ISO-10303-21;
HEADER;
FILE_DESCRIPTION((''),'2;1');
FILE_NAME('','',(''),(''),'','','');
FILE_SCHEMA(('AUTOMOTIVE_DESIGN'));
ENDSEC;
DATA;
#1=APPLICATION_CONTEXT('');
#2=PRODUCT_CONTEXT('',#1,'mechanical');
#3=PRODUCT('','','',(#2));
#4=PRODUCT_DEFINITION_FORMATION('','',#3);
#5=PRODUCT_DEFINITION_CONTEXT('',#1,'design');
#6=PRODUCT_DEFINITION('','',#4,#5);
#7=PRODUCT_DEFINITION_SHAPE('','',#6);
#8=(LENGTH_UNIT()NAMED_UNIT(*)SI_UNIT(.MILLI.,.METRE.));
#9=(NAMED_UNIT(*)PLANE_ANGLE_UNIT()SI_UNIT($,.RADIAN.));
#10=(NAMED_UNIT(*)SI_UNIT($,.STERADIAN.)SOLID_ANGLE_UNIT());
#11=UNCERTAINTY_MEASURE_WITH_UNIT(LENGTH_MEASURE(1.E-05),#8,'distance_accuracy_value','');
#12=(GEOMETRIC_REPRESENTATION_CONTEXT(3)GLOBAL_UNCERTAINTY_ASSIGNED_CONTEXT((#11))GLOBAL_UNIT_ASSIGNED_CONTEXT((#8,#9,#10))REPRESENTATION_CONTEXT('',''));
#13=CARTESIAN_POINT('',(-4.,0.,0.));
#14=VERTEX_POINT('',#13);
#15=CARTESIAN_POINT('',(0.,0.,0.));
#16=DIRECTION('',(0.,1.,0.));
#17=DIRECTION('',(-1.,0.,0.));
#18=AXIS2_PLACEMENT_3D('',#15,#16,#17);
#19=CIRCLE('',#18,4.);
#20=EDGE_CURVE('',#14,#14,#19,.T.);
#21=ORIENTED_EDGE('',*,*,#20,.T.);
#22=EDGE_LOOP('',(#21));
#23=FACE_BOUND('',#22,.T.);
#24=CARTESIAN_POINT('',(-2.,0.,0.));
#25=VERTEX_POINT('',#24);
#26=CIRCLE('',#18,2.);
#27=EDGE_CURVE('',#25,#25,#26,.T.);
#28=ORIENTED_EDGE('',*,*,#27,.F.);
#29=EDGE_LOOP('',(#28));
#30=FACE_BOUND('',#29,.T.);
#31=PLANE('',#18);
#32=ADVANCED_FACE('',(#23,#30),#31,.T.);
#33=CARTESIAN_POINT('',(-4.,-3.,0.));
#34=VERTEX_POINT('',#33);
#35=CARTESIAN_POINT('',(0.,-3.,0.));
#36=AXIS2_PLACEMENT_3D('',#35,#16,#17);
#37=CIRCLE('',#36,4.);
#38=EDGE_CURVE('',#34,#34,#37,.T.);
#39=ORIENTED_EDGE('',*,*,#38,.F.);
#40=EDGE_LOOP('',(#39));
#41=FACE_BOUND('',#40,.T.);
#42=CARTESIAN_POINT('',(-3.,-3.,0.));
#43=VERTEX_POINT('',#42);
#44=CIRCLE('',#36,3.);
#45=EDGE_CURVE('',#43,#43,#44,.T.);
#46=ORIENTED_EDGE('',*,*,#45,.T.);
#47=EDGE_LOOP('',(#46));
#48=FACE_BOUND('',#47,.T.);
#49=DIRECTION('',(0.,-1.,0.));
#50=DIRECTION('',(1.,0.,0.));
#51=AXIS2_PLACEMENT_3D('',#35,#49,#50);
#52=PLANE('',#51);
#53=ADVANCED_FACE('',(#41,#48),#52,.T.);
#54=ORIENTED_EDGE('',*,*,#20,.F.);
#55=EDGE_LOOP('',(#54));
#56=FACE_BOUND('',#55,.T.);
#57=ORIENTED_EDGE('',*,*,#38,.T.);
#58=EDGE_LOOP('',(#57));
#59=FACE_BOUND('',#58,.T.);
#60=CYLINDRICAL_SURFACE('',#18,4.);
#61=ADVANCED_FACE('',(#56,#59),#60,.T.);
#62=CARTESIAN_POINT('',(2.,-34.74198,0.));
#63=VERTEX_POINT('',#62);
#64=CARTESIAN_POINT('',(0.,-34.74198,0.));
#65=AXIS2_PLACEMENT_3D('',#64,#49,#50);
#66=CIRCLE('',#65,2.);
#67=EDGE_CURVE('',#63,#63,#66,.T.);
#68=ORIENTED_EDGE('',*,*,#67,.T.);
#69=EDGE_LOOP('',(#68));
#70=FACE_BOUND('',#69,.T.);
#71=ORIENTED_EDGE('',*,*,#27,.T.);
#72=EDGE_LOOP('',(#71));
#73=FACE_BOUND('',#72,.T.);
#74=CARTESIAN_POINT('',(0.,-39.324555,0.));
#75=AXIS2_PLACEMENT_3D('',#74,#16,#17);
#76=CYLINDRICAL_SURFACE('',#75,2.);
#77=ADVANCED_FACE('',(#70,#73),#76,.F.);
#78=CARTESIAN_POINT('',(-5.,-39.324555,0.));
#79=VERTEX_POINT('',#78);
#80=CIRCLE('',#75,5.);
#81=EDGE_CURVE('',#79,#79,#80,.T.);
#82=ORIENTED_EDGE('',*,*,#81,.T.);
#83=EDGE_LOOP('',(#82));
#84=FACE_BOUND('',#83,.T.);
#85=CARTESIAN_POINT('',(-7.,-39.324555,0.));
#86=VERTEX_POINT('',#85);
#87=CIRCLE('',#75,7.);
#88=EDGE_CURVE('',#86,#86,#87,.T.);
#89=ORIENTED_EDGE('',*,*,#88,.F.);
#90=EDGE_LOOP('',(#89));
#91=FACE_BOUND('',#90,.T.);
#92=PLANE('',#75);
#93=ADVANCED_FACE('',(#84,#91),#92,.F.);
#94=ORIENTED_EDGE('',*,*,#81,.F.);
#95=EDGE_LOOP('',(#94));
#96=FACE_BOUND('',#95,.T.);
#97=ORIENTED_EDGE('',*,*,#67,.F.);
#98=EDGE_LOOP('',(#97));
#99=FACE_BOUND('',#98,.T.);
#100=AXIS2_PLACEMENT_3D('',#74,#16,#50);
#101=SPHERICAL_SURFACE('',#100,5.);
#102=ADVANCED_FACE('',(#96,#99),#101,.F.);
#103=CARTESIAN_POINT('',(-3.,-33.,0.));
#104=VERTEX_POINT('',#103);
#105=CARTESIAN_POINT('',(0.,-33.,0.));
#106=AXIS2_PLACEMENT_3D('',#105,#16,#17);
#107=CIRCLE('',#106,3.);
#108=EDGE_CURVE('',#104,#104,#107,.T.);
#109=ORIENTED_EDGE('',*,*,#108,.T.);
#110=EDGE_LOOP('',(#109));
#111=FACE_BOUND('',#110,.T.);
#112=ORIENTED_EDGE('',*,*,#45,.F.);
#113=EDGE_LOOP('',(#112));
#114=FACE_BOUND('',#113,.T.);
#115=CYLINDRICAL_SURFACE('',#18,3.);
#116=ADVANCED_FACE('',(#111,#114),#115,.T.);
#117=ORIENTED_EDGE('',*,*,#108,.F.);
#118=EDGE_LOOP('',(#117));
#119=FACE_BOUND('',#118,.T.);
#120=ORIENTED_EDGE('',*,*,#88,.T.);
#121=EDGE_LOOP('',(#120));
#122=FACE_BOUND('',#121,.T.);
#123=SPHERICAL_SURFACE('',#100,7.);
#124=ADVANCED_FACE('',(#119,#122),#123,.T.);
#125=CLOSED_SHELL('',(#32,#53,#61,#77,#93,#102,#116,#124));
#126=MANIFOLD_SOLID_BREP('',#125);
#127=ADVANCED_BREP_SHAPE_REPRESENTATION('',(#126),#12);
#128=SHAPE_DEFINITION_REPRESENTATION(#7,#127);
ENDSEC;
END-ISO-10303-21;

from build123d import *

# Parameters (mm, degrees)
SKETCH2_R          = 2
CUT_EXTRUDE1_DEPTH = 41.551456831


with BuildPart() as part:
    # Sketch1 → Revolve1 (revolve)
    with BuildSketch(Plane.XY, mode=Mode.PRIVATE) as revolve1_sk:
        with BuildLine():
            ThreePointArc((5, -39.32455532), (3.535533906, -35.789021414), (0, -34.32455532))
            Line((0, -34.32455532), (0, -30))
            Line((0, -30), (0, 0))
            Line((0, 0), (4, 0))
            Line((4, 0), (4, -3))
            Line((4, -3), (3, -3))
            Line((3, -3), (3, -33))
            ThreePointArc((3, -33), (5.916079783, -35.582897934), (7, -39.32455532))
            Line((7, -39.32455532), (5, -39.32455532))
        make_face()
    revolve(revolve1_sk.sketch.rotate(Axis((0, 0, 0), (0, -1, 0)), 180), axis=Axis((0, 0, 0), (0, -1, 0)))

    # Sketch2 → Cut-Extrude1 (cut, through all)
    with BuildSketch(Plane(origin=(0, 0, 0), x_dir=(1, 0, 0), z_dir=(0, 1, 0))):
        with Locations(Location((0, 0, 0), (0, 0, 180))):
            Circle(SKETCH2_R)
    extrude(amount=-CUT_EXTRUDE1_DEPTH, mode=Mode.SUBTRACT)


solid = part.part
